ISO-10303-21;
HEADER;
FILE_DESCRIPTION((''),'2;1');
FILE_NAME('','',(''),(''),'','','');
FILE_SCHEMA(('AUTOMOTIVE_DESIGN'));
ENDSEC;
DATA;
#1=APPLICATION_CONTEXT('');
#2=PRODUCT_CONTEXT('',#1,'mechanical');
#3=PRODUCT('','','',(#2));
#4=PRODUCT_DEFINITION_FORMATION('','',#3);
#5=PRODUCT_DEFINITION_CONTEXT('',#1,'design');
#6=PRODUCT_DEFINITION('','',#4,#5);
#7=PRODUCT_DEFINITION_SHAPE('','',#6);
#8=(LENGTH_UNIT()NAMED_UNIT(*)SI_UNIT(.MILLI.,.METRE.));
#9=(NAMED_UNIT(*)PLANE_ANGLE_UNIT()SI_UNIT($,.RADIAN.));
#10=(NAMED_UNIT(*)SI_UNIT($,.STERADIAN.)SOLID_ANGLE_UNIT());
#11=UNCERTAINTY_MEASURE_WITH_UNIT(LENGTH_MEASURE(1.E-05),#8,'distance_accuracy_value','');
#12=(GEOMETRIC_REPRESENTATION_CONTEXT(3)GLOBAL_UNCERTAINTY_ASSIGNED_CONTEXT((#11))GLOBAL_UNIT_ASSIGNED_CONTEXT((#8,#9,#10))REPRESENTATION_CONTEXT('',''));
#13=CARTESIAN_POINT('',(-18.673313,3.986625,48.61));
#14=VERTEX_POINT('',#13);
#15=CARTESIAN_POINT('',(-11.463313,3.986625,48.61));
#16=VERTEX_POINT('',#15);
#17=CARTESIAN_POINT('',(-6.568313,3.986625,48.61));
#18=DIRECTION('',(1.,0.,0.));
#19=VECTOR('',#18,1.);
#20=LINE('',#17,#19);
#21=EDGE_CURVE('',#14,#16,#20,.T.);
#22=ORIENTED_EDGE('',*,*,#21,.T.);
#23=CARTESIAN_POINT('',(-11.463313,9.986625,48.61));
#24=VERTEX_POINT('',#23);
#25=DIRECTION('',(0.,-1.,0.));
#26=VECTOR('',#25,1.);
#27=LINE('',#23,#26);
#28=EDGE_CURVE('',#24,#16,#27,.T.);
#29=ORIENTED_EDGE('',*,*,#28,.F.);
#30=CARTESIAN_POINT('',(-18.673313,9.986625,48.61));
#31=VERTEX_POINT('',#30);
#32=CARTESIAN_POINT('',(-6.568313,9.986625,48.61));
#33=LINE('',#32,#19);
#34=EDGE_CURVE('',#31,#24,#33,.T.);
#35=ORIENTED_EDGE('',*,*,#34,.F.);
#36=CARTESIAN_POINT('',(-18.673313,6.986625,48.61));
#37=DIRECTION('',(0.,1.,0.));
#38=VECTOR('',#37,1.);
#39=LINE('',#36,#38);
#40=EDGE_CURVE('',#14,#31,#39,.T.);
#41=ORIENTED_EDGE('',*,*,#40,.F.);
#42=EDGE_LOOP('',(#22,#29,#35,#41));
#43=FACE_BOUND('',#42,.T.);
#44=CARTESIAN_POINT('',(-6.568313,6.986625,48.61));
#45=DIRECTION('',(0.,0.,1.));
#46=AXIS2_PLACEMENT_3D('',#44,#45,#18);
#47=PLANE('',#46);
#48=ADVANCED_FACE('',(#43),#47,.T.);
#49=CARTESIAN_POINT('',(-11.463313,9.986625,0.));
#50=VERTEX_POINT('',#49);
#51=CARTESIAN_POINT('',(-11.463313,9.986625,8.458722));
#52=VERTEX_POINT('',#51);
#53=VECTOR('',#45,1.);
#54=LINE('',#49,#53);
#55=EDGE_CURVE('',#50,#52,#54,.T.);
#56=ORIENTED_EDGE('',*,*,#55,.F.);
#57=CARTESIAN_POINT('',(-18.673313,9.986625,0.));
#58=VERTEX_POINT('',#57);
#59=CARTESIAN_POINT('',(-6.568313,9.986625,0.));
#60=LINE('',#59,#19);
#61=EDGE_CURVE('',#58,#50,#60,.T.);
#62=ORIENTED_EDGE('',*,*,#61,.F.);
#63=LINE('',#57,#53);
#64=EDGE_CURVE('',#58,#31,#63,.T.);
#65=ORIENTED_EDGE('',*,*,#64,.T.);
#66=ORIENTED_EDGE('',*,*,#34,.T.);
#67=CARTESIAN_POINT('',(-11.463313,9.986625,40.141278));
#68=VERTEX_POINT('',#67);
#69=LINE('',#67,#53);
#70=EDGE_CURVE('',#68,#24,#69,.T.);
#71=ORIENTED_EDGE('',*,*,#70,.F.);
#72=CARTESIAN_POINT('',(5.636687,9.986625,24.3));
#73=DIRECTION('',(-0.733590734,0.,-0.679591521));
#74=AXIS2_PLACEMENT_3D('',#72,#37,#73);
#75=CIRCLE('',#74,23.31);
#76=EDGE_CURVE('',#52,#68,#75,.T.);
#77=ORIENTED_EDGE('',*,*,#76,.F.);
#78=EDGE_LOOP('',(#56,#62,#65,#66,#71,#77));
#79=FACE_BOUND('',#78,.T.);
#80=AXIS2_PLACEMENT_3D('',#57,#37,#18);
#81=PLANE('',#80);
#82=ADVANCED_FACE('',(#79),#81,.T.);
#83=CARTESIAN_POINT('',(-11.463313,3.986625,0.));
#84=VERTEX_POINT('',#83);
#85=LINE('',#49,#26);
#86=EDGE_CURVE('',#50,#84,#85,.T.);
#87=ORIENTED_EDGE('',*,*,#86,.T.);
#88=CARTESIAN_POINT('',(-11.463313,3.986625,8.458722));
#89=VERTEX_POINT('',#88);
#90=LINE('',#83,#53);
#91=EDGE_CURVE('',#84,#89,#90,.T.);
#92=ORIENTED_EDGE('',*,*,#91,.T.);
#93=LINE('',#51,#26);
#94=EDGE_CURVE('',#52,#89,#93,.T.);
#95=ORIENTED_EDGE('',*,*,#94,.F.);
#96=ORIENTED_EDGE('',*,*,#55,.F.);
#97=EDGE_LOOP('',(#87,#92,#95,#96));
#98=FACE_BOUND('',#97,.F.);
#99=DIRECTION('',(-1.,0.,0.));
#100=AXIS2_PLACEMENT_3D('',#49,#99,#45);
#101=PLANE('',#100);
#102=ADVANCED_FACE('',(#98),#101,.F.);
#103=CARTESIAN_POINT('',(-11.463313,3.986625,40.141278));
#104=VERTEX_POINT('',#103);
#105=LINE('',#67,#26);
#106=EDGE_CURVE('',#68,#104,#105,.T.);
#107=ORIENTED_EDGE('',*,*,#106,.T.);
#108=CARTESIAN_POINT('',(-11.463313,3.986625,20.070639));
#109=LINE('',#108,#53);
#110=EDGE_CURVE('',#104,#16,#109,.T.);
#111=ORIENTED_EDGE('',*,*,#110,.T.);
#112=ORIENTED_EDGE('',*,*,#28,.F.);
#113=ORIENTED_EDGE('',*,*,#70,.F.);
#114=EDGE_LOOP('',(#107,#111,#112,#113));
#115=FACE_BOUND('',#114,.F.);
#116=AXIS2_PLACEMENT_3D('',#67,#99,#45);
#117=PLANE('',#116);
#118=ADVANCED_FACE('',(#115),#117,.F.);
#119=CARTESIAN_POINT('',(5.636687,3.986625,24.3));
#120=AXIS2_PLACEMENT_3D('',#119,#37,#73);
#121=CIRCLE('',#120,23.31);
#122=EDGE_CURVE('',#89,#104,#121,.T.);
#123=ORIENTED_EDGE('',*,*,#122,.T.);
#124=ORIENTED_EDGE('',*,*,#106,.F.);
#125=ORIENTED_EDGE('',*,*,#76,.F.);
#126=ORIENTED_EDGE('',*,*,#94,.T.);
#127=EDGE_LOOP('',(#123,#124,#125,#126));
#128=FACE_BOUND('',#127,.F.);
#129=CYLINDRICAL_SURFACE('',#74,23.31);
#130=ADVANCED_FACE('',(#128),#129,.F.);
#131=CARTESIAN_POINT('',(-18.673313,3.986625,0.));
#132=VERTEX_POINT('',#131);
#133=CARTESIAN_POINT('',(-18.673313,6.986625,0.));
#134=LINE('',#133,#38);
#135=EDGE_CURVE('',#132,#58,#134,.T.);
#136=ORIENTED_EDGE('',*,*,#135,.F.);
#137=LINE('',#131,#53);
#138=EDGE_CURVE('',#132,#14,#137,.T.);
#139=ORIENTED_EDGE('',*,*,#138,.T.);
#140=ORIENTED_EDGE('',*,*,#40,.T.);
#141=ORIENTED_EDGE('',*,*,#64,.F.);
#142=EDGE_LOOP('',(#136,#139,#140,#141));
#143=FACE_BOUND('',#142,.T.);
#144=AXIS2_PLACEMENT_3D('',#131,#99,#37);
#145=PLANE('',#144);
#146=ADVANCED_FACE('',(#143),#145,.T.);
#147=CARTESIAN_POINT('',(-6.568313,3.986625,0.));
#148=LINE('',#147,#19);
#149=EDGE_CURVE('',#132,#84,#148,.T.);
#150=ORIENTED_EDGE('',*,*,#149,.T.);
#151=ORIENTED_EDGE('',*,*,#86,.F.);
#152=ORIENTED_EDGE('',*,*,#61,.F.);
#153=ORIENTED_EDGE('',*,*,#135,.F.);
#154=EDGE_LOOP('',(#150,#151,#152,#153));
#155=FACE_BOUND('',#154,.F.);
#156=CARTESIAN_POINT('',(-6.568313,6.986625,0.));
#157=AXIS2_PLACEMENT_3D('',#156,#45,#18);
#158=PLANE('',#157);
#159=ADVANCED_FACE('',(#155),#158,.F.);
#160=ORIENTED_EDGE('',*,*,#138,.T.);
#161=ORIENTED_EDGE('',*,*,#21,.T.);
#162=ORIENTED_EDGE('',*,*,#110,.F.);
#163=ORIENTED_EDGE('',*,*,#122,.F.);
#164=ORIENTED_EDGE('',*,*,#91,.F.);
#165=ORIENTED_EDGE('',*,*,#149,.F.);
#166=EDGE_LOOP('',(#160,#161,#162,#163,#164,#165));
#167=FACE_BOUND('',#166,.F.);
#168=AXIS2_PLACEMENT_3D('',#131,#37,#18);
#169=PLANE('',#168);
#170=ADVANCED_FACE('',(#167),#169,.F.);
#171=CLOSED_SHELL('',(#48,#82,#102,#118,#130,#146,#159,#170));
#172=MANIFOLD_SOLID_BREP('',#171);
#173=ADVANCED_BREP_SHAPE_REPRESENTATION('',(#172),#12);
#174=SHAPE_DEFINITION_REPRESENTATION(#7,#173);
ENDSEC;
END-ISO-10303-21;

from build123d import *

# Parameters (mm, degrees)
SKETCH1_W           = 24.21
SKETCH1_H           = 6
BOSS_EXTRUDE1_DEPTH = 48.61
CUT_EXTRUDE1_DEPTH  = 53.417790043


with BuildPart() as part:
    # Sketch1 → Boss-Extrude1 (new body)
    with BuildSketch(Plane.XY):
        with Locations((-6.568312856, 6.986625)):
            Rectangle(SKETCH1_W, SKETCH1_H)
    extrude(amount=BOSS_EXTRUDE1_DEPTH)

    # Sketch3 → Cut-Extrude1 (cut, through all)
    with BuildSketch(Plane(origin=(0, 9.986625, 0), x_dir=(1, 0, 0), z_dir=(0, 1, 0))):
        with BuildLine():
            Line((-11.463312856, 0), (-11.463312856, -8.458721642))
            ThreePointArc((-11.463312856, -8.458721642), (-17.673312856, -24.3), (-11.463312856, -40.141278358))
            Line((-11.463312856, -40.141278358), (-11.463312856, -48.61))
            Line((-11.463312856, -48.61), (5.536687144, -48.61))
            Line((5.536687144, -48.61), (5.536687144, 0))
            Line((5.536687144, 0), (-11.463312856, 0))
        make_face()
    extrude(amount=-CUT_EXTRUDE1_DEPTH, mode=Mode.SUBTRACT)


solid = part.part
